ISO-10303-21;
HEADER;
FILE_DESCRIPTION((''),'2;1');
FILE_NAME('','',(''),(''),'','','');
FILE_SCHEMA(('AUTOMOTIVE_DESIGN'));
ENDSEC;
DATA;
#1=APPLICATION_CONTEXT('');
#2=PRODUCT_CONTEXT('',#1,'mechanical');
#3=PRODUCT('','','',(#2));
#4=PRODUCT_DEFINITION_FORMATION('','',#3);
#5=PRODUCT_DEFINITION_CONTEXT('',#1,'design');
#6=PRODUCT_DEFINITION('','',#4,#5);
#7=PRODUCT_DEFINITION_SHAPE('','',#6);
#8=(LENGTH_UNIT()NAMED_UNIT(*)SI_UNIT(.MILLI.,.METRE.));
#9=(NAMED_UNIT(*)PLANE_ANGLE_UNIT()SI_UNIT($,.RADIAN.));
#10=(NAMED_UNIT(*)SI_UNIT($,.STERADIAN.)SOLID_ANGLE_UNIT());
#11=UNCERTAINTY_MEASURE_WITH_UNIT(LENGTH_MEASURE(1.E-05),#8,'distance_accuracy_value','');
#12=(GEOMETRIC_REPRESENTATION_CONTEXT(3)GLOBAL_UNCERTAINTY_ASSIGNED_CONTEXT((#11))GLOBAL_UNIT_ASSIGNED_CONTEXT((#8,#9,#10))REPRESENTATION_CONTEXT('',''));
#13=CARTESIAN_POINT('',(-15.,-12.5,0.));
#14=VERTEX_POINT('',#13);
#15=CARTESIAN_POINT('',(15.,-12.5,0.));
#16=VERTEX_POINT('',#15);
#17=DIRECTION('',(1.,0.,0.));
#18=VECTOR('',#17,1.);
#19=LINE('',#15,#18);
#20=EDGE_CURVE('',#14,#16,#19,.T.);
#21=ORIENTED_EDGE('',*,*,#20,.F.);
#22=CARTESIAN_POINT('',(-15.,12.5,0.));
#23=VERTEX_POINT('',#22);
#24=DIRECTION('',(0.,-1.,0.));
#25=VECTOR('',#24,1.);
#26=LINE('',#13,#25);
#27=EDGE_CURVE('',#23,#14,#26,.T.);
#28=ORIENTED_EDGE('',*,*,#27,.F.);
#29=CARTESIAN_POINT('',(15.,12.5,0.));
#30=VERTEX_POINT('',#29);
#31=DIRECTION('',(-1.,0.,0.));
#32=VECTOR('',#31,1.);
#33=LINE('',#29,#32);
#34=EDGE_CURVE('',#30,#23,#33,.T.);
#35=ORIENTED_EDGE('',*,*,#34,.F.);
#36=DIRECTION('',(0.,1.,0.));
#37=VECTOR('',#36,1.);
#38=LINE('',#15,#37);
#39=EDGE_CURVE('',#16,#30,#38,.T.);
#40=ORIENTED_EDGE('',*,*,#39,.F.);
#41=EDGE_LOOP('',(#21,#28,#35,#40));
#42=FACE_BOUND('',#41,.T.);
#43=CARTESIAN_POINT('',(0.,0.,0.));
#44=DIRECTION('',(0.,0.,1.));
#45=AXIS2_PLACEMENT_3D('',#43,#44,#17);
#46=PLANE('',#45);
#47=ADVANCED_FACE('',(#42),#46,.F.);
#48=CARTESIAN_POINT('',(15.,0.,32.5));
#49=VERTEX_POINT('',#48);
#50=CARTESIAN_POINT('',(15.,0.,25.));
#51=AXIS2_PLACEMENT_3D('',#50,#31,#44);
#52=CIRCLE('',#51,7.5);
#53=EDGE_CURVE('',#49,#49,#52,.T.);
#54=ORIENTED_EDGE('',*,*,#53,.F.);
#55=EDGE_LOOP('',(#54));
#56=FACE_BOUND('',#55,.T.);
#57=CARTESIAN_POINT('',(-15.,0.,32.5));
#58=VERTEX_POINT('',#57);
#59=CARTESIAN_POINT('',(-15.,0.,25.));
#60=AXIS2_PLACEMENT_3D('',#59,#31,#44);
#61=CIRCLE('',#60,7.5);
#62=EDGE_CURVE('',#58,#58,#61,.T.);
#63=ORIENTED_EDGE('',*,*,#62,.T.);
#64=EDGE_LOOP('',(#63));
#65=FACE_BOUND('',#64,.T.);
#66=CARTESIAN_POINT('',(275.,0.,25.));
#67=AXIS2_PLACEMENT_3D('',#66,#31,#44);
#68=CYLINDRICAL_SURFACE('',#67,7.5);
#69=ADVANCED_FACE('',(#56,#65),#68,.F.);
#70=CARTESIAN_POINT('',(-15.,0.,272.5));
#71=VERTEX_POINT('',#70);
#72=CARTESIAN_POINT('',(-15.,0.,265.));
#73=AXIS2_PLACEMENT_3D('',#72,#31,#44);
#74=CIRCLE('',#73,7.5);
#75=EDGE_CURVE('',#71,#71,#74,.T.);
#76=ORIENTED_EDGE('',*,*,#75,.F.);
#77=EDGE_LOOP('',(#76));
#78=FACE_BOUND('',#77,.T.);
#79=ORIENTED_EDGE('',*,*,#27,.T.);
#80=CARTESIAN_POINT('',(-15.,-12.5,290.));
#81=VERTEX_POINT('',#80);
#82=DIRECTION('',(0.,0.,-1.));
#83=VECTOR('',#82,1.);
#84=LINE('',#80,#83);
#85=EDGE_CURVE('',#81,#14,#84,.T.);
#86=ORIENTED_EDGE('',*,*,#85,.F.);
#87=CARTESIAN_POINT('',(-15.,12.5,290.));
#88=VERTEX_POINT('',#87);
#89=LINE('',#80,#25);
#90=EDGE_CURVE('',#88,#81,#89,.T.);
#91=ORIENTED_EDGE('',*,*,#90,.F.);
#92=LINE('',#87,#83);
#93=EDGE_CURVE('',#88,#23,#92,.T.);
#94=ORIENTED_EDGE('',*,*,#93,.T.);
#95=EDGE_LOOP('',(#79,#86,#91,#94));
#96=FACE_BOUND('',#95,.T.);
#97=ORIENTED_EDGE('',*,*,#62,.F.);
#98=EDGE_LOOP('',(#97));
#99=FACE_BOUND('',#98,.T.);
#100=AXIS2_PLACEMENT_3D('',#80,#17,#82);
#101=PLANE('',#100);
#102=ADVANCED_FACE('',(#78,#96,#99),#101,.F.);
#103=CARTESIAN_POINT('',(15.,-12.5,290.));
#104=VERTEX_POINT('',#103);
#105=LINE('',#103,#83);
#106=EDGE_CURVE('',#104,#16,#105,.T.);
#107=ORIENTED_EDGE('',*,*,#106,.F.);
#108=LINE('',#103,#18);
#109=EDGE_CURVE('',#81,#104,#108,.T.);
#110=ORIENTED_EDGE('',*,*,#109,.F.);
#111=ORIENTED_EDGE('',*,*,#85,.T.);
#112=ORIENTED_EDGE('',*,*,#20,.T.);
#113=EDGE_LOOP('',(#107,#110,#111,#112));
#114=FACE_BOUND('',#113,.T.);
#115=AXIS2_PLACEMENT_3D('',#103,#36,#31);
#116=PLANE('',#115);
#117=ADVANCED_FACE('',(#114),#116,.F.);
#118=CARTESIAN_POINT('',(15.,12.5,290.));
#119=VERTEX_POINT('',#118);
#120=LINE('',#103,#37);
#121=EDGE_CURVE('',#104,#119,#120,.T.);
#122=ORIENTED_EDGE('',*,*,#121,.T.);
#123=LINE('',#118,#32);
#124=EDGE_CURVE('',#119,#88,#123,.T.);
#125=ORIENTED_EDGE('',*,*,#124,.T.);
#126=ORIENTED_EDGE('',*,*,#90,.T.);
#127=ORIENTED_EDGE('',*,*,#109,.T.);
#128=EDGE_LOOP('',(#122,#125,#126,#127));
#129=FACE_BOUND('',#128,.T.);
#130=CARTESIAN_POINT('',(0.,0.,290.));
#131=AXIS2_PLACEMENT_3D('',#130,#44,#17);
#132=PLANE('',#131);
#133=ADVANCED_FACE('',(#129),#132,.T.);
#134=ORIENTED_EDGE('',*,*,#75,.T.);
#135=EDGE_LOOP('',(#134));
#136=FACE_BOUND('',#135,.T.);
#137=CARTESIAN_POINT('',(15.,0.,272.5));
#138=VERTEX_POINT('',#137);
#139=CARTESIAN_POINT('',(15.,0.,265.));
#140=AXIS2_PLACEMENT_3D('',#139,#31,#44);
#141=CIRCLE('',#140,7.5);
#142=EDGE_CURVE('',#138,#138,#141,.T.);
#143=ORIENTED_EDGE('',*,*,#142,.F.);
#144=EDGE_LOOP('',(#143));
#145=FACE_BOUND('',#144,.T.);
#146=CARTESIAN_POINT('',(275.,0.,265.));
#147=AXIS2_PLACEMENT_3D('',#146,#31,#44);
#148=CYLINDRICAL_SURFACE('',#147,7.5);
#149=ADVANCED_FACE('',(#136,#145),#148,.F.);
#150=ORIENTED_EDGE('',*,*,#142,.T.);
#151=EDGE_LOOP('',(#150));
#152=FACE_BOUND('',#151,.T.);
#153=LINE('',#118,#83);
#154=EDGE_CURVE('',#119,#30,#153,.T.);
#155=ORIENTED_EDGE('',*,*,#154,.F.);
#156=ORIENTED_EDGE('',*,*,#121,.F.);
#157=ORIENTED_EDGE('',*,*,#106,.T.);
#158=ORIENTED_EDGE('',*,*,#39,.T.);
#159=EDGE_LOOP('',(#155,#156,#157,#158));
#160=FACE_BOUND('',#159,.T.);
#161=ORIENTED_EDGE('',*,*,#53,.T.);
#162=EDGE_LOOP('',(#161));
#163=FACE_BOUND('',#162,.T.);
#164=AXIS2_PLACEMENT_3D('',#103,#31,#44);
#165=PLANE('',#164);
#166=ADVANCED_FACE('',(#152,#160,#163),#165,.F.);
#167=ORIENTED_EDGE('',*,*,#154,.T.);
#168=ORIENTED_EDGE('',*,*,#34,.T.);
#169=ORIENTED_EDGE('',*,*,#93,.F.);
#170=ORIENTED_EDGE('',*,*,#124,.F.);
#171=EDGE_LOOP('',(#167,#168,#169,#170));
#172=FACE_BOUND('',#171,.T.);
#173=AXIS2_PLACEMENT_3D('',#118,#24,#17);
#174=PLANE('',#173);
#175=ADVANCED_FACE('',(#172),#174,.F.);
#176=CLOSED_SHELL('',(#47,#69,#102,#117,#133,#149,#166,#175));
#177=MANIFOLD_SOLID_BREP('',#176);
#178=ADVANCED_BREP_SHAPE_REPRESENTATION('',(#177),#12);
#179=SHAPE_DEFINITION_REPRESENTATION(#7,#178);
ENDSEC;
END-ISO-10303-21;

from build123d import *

# Parameters (mm, degrees)
ESBO_O1_W                = 30
ESBO_O1_H                = 25
RESSALTO_EXTRUS_O2_DEPTH = 290
ESBO_O2_R                = 7.5
CORTE_EXTRUS_O1_DEPTH    = 290


with BuildPart() as part:
    # Esboço1 → Ressalto-extrusão2 (new body)
    with BuildSketch(Plane.XY):
        Rectangle(ESBO_O1_W, ESBO_O1_H)
    extrude(amount=RESSALTO_EXTRUS_O2_DEPTH)

    # Esboço2 → Corte-extrusão1 (cut)
    with BuildSketch(Plane.ZY.offset(15)):
        with Locations((25, 0)):
            Circle(ESBO_O2_R)
        with Locations((265, 0)):
            Circle(ESBO_O2_R)
    extrude(amount=-CORTE_EXTRUS_O1_DEPTH, mode=Mode.SUBTRACT)


solid = part.part
